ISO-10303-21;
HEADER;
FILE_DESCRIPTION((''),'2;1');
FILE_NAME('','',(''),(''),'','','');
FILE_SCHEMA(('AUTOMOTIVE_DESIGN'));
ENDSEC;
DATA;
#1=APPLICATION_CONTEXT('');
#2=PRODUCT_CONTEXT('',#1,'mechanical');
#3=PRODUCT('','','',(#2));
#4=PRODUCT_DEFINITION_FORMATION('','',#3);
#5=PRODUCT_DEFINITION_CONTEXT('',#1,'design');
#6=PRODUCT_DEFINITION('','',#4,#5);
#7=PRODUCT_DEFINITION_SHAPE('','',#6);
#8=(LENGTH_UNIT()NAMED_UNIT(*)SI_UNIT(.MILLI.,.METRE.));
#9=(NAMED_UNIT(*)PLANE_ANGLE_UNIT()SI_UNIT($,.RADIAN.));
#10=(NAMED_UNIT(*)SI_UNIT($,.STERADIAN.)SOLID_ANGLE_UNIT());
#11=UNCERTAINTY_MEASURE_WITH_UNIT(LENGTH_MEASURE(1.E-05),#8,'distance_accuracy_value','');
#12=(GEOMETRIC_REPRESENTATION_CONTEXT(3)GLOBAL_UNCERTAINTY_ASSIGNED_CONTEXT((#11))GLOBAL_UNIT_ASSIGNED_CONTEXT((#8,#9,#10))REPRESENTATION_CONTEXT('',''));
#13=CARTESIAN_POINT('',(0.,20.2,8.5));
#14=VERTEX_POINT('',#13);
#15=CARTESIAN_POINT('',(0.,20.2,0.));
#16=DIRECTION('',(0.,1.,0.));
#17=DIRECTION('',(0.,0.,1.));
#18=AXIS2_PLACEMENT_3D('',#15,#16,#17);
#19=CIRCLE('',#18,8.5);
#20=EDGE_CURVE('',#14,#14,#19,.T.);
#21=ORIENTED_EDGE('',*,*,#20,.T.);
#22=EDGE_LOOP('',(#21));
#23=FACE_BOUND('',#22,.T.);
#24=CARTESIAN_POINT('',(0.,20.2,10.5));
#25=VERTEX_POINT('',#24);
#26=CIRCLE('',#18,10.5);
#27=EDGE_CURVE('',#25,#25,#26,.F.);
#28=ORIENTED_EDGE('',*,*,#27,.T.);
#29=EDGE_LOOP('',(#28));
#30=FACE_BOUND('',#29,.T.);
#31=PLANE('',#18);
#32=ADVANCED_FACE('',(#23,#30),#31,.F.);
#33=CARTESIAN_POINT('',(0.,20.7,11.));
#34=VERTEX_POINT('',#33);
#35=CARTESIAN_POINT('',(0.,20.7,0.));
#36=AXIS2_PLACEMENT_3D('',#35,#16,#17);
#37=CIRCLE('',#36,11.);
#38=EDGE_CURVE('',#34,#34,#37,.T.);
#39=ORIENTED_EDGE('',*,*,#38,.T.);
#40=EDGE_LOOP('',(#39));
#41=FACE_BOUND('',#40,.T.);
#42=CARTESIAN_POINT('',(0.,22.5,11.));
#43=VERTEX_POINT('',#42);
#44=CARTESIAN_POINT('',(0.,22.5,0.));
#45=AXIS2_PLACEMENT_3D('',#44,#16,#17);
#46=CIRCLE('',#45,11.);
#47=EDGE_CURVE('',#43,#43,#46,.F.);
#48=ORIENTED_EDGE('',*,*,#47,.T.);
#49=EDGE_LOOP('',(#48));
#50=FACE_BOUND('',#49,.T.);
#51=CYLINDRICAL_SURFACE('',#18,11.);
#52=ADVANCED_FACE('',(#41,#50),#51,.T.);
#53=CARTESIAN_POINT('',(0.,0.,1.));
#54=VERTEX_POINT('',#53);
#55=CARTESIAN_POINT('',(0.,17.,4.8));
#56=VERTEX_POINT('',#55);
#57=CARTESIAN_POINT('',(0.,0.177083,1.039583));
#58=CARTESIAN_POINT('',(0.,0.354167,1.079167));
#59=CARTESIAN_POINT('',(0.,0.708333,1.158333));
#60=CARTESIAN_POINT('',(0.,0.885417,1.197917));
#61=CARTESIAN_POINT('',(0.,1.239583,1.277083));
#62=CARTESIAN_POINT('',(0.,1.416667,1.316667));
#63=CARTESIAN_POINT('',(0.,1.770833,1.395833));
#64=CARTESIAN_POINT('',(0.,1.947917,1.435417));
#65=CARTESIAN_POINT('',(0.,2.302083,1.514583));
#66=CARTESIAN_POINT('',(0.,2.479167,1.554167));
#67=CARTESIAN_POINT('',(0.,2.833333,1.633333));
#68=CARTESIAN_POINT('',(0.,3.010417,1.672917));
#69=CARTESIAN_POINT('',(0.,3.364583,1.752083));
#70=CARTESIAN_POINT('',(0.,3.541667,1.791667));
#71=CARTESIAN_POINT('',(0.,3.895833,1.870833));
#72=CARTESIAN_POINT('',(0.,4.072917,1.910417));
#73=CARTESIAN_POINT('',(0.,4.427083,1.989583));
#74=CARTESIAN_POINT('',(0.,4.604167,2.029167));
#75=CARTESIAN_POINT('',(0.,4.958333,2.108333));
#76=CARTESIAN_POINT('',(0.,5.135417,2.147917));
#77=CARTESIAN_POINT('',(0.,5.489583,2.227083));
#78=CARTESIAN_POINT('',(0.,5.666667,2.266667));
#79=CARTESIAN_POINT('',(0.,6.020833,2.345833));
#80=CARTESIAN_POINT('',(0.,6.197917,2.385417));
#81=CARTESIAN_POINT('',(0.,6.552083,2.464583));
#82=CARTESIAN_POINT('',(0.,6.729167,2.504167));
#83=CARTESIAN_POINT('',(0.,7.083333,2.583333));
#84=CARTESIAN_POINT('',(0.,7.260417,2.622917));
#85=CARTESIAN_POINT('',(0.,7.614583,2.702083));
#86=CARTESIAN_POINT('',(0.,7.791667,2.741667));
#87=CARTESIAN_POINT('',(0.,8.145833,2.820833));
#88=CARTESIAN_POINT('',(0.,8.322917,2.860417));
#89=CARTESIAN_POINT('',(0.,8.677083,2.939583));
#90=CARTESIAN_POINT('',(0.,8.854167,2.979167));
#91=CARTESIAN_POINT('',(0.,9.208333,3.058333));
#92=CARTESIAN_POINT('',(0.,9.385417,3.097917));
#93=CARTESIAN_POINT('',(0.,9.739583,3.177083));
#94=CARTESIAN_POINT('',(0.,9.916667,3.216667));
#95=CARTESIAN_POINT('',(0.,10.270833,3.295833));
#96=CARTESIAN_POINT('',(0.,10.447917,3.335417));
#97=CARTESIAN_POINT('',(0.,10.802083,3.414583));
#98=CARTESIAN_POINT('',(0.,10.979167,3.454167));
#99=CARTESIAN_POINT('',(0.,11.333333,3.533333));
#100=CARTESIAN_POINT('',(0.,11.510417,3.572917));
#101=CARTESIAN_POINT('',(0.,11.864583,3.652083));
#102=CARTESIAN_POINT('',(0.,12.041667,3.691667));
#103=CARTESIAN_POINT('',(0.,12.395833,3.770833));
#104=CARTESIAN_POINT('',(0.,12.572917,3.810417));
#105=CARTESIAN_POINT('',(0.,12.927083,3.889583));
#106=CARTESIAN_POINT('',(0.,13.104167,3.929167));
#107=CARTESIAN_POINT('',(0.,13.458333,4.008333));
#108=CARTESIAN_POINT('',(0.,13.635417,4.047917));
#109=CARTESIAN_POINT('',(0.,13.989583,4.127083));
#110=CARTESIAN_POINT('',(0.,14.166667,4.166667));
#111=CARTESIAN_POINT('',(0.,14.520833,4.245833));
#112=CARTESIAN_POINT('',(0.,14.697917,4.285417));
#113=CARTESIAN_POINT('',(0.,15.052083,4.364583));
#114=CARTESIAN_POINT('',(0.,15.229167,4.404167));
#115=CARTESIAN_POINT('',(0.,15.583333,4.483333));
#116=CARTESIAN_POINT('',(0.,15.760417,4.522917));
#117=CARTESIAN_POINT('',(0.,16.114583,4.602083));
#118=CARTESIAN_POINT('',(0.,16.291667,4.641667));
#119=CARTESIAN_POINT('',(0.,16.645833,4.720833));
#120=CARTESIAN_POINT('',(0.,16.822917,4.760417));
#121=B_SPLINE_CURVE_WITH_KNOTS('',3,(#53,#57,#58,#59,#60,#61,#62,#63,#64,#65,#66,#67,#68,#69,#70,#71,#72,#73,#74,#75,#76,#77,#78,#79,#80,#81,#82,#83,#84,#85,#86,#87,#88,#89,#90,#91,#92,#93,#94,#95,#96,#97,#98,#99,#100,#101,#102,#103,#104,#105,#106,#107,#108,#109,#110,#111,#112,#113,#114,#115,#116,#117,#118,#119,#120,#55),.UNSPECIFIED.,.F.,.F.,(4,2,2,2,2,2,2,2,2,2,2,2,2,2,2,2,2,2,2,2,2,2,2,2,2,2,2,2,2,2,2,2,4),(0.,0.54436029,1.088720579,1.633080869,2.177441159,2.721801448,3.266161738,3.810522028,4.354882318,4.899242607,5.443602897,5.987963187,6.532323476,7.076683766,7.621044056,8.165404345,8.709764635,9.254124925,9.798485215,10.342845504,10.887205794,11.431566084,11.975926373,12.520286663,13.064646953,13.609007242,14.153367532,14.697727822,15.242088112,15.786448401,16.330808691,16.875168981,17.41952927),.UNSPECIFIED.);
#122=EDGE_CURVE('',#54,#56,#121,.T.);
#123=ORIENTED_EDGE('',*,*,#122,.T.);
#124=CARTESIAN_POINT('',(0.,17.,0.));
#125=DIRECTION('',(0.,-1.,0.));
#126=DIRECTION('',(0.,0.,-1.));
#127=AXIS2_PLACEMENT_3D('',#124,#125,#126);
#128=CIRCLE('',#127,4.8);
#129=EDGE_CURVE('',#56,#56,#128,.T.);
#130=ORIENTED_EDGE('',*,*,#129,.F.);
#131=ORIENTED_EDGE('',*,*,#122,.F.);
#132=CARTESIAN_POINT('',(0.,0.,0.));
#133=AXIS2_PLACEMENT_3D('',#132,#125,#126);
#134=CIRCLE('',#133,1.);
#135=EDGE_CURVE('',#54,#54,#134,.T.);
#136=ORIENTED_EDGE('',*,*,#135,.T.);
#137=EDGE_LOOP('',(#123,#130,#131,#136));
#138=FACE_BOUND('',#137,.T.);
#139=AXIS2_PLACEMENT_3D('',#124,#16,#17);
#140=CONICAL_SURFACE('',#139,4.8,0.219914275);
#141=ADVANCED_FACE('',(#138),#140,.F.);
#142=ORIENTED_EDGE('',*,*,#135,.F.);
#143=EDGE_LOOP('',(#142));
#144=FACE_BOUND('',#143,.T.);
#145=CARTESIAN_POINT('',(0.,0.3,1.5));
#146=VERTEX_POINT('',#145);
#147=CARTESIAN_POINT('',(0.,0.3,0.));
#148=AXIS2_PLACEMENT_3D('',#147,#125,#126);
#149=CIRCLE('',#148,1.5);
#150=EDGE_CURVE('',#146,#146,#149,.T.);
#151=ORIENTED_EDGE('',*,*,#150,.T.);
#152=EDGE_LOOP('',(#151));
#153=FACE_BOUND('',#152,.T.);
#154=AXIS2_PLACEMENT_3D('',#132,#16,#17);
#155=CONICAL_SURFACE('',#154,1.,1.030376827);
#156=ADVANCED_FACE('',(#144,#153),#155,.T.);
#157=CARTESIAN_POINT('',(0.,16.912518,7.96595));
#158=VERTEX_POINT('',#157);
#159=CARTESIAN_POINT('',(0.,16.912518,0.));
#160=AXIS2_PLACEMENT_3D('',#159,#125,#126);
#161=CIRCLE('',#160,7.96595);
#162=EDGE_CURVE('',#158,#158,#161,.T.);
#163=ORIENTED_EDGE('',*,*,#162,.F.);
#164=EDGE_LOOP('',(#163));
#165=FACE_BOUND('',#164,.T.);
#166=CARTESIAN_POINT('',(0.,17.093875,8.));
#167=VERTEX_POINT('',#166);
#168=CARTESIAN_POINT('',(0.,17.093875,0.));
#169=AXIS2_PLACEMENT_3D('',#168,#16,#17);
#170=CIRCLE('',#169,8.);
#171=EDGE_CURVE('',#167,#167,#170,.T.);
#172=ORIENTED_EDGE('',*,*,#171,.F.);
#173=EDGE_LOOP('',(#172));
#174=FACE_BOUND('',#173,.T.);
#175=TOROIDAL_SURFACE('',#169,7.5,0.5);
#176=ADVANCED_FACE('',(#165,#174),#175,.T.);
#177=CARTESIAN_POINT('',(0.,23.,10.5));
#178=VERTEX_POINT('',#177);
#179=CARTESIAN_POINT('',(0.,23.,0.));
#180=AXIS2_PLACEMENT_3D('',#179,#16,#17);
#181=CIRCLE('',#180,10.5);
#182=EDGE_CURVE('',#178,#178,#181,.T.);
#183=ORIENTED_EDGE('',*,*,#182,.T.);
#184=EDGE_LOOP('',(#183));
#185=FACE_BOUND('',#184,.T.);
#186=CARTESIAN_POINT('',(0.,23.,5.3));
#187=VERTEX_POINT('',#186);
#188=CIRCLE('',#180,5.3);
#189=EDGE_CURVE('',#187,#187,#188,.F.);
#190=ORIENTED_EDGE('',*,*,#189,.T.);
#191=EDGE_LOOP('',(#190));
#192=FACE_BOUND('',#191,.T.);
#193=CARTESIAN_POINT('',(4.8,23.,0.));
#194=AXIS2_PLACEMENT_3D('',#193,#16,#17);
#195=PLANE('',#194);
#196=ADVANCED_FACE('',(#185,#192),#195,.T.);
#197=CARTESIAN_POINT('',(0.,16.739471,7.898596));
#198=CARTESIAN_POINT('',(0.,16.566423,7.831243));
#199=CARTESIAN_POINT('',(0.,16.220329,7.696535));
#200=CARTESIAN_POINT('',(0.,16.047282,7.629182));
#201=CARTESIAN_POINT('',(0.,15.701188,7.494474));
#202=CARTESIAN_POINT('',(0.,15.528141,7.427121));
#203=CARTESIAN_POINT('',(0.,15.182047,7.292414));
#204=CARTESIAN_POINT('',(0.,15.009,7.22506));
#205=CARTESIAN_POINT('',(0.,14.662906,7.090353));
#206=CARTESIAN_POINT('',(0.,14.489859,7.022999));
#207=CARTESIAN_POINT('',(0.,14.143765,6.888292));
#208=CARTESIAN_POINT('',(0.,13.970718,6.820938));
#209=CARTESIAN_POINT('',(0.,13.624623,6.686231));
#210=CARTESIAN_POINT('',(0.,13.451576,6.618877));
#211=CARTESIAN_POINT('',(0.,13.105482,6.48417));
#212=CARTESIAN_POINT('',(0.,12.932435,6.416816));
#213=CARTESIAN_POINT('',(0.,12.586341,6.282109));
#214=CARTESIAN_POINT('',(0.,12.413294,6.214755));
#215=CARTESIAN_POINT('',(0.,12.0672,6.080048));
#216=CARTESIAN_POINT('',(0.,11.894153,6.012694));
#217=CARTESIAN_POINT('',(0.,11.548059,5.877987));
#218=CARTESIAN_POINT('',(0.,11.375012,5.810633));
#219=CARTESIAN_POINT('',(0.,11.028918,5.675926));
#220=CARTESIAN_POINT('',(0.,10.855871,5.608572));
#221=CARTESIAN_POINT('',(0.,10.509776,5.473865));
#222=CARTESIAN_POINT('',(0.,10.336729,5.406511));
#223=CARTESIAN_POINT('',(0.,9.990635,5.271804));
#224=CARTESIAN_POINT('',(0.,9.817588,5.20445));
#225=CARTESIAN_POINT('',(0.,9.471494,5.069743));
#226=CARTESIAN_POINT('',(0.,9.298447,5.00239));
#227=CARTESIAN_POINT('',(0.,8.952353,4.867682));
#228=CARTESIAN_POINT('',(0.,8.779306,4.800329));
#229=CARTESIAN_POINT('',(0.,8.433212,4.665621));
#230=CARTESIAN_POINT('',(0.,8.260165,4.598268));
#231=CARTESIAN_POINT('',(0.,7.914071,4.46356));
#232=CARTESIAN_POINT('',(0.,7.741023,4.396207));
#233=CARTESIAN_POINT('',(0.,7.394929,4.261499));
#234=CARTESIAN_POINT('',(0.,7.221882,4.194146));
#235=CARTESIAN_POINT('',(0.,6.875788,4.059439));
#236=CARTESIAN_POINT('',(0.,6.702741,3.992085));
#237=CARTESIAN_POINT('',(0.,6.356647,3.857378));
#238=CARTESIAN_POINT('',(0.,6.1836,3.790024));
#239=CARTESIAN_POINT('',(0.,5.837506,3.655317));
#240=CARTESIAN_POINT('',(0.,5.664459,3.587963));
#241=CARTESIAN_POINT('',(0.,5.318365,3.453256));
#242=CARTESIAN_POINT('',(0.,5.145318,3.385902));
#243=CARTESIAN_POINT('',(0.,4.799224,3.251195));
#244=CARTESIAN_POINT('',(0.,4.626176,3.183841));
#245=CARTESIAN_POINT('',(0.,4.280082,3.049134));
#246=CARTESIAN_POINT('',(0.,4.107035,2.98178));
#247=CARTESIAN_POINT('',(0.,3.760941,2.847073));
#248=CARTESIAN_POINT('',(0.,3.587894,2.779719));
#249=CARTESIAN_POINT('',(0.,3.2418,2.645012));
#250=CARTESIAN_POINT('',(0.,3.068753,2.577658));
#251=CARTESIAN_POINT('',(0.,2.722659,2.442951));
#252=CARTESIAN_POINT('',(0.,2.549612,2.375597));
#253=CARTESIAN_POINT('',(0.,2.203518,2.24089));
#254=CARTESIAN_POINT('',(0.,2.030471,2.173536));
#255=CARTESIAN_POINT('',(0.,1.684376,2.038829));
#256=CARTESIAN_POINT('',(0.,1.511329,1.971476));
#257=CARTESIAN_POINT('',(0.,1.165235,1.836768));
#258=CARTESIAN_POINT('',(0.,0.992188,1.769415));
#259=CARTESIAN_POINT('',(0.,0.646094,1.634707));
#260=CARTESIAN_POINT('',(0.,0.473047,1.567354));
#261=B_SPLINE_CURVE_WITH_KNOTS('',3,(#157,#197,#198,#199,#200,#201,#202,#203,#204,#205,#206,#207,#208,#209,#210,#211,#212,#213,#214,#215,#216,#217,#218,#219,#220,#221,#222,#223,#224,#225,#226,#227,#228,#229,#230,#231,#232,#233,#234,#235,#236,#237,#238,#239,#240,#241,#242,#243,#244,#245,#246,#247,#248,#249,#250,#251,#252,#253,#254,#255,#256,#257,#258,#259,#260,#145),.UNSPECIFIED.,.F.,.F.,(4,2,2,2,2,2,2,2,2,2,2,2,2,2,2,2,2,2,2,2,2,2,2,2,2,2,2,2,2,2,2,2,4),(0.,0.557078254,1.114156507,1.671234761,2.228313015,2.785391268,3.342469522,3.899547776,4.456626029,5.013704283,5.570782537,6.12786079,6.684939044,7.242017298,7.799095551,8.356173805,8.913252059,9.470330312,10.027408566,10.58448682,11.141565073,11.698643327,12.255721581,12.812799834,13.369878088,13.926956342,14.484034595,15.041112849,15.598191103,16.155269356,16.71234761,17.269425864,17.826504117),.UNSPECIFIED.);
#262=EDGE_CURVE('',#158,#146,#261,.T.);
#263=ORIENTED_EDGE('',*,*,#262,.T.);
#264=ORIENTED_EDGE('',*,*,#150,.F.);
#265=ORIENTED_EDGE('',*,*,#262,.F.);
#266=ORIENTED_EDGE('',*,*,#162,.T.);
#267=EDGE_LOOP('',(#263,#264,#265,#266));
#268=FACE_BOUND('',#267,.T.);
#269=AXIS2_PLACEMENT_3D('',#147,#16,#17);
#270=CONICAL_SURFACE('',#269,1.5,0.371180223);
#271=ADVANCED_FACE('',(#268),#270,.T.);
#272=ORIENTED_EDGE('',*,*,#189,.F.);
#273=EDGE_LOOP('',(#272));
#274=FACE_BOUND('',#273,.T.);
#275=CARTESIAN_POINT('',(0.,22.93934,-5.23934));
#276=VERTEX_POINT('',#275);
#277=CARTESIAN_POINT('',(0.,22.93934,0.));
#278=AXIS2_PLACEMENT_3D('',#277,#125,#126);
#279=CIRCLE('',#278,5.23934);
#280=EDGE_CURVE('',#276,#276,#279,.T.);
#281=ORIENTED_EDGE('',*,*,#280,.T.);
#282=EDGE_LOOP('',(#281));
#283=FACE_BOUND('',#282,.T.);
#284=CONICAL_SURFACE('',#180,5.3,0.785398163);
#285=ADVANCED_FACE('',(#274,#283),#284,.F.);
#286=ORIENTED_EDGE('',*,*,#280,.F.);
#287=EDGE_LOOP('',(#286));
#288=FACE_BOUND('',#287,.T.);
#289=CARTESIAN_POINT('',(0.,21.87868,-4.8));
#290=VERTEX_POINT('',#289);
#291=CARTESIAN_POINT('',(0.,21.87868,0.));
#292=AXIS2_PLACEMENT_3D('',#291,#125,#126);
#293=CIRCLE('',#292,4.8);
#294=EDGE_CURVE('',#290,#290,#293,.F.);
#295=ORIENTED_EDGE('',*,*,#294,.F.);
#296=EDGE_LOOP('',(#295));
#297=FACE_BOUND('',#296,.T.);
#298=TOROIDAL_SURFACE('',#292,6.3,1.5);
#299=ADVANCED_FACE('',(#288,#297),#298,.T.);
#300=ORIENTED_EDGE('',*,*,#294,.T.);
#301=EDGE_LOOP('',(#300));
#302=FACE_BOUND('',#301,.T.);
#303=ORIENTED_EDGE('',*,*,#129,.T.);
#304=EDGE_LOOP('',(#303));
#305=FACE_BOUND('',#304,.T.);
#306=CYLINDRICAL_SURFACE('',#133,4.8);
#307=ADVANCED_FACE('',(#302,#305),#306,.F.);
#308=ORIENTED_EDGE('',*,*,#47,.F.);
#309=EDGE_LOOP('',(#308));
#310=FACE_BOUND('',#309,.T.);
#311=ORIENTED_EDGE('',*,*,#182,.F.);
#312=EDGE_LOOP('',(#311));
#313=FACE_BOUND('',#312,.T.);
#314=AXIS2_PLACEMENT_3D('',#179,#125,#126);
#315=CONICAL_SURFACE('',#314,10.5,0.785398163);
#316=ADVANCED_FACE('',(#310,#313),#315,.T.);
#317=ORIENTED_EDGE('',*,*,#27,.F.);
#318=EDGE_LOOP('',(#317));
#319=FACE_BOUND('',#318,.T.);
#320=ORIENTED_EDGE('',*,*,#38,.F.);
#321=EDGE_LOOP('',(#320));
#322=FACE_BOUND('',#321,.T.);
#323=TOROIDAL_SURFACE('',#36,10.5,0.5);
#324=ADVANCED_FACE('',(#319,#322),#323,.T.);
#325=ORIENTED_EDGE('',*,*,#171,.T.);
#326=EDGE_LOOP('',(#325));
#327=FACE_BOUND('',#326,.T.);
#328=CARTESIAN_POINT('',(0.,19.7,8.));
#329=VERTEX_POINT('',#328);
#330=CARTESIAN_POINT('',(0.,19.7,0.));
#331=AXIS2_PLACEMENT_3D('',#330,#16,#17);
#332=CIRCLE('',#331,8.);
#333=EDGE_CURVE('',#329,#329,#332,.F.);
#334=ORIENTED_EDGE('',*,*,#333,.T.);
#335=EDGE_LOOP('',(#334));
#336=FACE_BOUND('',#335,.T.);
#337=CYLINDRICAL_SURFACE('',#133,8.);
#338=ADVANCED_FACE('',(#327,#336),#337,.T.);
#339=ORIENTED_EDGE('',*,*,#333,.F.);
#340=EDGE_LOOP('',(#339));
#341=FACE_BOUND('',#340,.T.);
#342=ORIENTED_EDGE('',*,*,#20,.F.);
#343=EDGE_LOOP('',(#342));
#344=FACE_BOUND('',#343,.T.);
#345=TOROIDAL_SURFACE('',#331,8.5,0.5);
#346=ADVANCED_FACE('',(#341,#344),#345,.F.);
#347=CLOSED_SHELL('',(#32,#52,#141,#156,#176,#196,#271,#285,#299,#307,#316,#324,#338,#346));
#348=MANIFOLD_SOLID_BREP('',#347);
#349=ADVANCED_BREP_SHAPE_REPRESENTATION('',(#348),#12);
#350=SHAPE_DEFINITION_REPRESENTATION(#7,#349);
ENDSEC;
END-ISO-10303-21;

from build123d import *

# Parameters (mm, degrees)
FL_CHE_VERSCHIEBEN1_BY          = 1
AUFSATZ_LINEAR_START            = -2.8
SKIZZE2_R                       = 11
SKIZZE2_R_2                     = 4.8
AUFSATZ_LINEAR_AUSTRAGEN1_DEPTH = 2.8
VERRUNDUNG1_R                   = 0.5
FASE1_SIZE                      = 0.5
VERRUNDUNG2_R                   = 1.5


with BuildPart() as part:
    # Skizze1 → Rotation1 (revolve)
    with BuildSketch(Plane.XY, mode=Mode.PRIVATE) as rotation1_sk:
        Polygon((1, 0), (4.8, 17), (4.8, 22), (8, 22), (8, 17), (1.5, 0.3), align=None)
    revolve(rotation1_sk.sketch.rotate(Axis((0, 0, 0), (0, 1, 0)), 270), axis=Axis((0, 0, 0), (0, 1, 0)))

    # Fläche verschieben1: a face moved outward by 1.0
    extrude(part.faces().sort_by_distance((-6.4, 22, 0))[0], amount=FL_CHE_VERSCHIEBEN1_BY, dir=(0, 1, 0))

    # Skizze2 → Aufsatz-Linear austragen1 (add)
    with BuildSketch(Plane(origin=(0, 23, 0), x_dir=(1, 0, 0), z_dir=(0, 1, 0)).offset(AUFSATZ_LINEAR_START)):
        with Locations(Location((0, 0, 0), (0, 0, 270))):
            Circle(SKIZZE2_R)
        with Locations(Location((0, 0, 0), (0, 0, 270))):
            Circle(SKIZZE2_R_2, mode=Mode.SUBTRACT)
    extrude(amount=AUFSATZ_LINEAR_AUSTRAGEN1_DEPTH)

    # Verrundung1
    verrundung1_edges = [part.edges().sort_by_distance(p)[0] for p in [
        (0, 20.2, -8),
        (0, 20.2, -11),
        (0, 17, -8),
    ]]
    fillet(verrundung1_edges, radius=VERRUNDUNG1_R)

    # Fase1
    fase1_edges = [part.edges().sort_by_distance(p)[0] for p in [
        (0, 23, -11),
        (0, 23, -4.8),
    ]]
    chamfer(fase1_edges, length=FASE1_SIZE)

    # Verrundung2
    verrundung2_edges = [part.edges().sort_by_distance(p)[0] for p in [
        (0, 22.5, -4.8),
    ]]
    fillet(verrundung2_edges, radius=VERRUNDUNG2_R)


solid = part.part
